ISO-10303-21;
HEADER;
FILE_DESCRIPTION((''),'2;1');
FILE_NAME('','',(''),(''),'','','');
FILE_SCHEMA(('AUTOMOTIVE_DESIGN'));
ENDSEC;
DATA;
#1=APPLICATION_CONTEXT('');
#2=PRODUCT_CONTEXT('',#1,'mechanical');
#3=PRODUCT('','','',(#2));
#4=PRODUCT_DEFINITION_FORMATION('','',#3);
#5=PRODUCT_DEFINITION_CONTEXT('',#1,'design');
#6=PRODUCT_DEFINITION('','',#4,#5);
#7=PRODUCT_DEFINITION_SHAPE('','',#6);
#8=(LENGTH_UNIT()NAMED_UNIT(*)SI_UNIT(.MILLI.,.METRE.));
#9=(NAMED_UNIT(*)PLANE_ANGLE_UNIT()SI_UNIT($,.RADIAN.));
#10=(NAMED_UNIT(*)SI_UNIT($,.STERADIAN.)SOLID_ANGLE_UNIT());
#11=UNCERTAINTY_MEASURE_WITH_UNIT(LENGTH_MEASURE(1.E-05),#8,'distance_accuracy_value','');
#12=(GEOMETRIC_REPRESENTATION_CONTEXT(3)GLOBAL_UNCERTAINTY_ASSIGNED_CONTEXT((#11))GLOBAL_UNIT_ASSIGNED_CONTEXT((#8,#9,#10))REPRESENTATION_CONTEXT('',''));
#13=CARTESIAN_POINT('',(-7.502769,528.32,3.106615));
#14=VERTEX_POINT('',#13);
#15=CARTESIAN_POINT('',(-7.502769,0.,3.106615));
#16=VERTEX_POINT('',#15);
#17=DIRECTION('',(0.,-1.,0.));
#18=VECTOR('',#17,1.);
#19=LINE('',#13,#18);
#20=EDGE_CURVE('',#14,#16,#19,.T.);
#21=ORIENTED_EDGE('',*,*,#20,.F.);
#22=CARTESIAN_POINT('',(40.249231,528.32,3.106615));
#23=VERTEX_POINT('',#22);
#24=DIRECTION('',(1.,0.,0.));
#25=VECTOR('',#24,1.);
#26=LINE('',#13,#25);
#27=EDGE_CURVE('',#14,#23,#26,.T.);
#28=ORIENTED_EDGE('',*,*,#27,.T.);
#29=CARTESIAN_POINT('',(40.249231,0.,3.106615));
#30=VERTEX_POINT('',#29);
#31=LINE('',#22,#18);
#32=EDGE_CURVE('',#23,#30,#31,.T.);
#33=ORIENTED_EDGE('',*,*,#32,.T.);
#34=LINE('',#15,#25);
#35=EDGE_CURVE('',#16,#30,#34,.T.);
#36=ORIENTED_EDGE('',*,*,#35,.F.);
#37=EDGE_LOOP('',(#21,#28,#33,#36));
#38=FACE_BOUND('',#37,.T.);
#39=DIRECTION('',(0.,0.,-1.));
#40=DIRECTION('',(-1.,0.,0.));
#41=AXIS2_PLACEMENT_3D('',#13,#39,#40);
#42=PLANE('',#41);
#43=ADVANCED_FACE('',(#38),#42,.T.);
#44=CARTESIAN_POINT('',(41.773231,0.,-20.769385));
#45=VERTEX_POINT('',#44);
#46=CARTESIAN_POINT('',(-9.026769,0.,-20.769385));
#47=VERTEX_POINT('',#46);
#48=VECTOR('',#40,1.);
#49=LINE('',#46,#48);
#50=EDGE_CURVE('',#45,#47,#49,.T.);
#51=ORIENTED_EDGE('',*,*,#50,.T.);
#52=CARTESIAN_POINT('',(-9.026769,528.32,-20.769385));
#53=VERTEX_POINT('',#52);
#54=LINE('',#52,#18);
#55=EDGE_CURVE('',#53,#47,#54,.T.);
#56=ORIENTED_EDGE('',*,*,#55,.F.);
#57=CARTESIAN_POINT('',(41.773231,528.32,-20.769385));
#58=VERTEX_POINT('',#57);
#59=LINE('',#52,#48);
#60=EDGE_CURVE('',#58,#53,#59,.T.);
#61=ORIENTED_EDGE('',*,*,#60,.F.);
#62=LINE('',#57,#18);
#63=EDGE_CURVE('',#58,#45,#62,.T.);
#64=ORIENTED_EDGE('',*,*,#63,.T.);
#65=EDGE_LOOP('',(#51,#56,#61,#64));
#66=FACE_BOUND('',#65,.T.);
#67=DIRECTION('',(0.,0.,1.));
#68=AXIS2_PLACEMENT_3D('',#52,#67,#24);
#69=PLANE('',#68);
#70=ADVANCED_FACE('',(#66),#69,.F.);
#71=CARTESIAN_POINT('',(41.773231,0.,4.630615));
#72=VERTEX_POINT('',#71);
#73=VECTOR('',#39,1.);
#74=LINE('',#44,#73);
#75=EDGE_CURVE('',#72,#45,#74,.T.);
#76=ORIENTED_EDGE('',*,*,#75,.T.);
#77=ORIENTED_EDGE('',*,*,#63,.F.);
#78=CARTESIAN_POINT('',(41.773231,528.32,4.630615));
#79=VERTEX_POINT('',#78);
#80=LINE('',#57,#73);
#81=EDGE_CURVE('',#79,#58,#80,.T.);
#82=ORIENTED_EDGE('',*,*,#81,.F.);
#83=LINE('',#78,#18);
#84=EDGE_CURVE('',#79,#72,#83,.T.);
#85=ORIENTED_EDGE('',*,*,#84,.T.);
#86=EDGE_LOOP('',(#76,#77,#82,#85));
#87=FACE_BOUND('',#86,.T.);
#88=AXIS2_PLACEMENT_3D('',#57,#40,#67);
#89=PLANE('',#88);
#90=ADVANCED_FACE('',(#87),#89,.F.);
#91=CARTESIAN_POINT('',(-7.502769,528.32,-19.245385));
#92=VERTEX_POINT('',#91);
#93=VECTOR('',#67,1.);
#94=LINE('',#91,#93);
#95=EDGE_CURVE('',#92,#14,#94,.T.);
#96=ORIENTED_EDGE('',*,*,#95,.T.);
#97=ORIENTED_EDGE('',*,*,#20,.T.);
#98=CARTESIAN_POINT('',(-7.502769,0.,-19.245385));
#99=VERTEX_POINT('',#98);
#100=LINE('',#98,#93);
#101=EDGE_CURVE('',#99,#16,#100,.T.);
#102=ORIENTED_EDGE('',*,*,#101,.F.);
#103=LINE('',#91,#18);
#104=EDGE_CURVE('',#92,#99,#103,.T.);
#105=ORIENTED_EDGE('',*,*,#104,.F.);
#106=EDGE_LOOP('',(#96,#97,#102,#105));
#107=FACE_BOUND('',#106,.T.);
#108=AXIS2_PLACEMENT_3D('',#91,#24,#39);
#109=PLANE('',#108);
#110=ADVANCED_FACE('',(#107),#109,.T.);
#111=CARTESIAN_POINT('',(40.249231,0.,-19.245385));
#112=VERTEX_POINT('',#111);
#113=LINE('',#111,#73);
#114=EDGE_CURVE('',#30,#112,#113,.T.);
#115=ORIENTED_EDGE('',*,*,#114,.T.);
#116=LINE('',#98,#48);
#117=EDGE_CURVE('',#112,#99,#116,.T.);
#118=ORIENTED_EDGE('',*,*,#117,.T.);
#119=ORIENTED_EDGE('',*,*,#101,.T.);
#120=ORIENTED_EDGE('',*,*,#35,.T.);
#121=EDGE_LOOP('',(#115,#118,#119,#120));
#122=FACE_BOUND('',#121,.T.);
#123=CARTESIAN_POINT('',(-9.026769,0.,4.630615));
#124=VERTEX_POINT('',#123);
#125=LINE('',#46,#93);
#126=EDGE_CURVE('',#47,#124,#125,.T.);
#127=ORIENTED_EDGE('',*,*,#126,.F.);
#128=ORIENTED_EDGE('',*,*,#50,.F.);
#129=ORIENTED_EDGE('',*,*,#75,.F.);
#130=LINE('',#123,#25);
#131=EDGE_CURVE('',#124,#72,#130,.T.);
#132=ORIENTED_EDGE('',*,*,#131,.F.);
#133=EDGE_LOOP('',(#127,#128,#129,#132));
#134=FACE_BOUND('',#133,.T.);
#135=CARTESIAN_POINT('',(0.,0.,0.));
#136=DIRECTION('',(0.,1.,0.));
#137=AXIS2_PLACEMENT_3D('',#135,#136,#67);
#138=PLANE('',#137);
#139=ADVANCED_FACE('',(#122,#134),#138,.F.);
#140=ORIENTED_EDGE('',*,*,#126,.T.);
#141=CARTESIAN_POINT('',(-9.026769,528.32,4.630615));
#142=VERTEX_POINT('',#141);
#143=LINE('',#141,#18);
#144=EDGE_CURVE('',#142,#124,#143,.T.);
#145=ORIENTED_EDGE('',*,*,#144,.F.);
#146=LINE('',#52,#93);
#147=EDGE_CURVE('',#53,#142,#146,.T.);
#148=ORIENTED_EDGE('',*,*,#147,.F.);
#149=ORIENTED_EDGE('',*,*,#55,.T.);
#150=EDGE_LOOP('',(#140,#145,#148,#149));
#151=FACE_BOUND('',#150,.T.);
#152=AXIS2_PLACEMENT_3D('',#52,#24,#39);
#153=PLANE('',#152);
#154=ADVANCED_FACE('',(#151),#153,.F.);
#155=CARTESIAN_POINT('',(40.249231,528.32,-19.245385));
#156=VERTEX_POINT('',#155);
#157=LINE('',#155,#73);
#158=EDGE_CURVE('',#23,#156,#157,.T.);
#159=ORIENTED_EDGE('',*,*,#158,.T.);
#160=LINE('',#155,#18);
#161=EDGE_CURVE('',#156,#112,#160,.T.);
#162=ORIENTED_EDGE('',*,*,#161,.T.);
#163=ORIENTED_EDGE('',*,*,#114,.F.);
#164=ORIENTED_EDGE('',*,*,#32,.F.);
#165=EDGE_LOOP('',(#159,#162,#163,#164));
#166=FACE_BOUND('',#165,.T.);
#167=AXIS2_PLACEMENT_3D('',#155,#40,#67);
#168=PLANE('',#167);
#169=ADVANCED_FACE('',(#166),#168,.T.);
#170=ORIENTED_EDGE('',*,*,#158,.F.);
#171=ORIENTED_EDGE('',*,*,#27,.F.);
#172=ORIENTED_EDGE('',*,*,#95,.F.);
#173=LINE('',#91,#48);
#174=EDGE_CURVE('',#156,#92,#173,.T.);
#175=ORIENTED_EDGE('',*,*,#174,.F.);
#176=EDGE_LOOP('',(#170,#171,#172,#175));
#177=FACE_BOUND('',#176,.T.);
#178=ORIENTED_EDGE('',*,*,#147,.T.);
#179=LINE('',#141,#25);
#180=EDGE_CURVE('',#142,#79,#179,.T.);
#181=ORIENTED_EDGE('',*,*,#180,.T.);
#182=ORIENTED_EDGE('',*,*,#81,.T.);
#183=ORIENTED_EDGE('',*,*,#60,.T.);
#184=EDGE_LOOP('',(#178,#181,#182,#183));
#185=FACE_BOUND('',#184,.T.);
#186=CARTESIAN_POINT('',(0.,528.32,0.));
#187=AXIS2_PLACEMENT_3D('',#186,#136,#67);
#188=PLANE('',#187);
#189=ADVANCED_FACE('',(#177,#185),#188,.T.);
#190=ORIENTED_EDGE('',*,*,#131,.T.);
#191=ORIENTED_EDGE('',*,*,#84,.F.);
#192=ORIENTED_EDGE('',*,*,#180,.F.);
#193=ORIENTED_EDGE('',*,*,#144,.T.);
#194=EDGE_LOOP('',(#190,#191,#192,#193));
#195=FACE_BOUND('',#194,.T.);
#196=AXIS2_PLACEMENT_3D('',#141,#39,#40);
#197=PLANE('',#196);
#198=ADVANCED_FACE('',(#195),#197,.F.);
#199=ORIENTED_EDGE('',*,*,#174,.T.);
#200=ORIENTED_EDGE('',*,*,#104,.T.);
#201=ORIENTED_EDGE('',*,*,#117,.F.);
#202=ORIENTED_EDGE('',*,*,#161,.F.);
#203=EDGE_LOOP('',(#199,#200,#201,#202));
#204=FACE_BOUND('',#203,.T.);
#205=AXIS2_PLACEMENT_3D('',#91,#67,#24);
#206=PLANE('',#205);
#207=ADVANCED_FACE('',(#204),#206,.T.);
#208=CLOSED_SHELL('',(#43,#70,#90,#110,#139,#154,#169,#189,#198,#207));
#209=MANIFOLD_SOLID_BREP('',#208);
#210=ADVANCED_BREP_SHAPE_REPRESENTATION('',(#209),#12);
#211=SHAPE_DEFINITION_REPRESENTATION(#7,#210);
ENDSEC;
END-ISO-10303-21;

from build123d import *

# Parameters (mm, degrees)
SKETCH1_W           = 50.8
SKETCH1_H           = 25.4
SKETCH1_W_2         = 47.752
SKETCH1_H_2         = 22.352
BOSS_EXTRUDE1_DEPTH = 528.32


with BuildPart() as part:
    # Sketch1 → Boss-Extrude1 (new body)
    with BuildSketch(Plane(origin=(0, 0, 0), x_dir=(1, 0, 0), z_dir=(0, 1, 0))):
        with Locations((16.373230769, 8.069384615)):
            Rectangle(SKETCH1_W, SKETCH1_H)
        with Locations((16.373230769, 8.069384615)):
            Rectangle(SKETCH1_W_2, SKETCH1_H_2, mode=Mode.SUBTRACT)
    extrude(amount=BOSS_EXTRUDE1_DEPTH)


solid = part.part
